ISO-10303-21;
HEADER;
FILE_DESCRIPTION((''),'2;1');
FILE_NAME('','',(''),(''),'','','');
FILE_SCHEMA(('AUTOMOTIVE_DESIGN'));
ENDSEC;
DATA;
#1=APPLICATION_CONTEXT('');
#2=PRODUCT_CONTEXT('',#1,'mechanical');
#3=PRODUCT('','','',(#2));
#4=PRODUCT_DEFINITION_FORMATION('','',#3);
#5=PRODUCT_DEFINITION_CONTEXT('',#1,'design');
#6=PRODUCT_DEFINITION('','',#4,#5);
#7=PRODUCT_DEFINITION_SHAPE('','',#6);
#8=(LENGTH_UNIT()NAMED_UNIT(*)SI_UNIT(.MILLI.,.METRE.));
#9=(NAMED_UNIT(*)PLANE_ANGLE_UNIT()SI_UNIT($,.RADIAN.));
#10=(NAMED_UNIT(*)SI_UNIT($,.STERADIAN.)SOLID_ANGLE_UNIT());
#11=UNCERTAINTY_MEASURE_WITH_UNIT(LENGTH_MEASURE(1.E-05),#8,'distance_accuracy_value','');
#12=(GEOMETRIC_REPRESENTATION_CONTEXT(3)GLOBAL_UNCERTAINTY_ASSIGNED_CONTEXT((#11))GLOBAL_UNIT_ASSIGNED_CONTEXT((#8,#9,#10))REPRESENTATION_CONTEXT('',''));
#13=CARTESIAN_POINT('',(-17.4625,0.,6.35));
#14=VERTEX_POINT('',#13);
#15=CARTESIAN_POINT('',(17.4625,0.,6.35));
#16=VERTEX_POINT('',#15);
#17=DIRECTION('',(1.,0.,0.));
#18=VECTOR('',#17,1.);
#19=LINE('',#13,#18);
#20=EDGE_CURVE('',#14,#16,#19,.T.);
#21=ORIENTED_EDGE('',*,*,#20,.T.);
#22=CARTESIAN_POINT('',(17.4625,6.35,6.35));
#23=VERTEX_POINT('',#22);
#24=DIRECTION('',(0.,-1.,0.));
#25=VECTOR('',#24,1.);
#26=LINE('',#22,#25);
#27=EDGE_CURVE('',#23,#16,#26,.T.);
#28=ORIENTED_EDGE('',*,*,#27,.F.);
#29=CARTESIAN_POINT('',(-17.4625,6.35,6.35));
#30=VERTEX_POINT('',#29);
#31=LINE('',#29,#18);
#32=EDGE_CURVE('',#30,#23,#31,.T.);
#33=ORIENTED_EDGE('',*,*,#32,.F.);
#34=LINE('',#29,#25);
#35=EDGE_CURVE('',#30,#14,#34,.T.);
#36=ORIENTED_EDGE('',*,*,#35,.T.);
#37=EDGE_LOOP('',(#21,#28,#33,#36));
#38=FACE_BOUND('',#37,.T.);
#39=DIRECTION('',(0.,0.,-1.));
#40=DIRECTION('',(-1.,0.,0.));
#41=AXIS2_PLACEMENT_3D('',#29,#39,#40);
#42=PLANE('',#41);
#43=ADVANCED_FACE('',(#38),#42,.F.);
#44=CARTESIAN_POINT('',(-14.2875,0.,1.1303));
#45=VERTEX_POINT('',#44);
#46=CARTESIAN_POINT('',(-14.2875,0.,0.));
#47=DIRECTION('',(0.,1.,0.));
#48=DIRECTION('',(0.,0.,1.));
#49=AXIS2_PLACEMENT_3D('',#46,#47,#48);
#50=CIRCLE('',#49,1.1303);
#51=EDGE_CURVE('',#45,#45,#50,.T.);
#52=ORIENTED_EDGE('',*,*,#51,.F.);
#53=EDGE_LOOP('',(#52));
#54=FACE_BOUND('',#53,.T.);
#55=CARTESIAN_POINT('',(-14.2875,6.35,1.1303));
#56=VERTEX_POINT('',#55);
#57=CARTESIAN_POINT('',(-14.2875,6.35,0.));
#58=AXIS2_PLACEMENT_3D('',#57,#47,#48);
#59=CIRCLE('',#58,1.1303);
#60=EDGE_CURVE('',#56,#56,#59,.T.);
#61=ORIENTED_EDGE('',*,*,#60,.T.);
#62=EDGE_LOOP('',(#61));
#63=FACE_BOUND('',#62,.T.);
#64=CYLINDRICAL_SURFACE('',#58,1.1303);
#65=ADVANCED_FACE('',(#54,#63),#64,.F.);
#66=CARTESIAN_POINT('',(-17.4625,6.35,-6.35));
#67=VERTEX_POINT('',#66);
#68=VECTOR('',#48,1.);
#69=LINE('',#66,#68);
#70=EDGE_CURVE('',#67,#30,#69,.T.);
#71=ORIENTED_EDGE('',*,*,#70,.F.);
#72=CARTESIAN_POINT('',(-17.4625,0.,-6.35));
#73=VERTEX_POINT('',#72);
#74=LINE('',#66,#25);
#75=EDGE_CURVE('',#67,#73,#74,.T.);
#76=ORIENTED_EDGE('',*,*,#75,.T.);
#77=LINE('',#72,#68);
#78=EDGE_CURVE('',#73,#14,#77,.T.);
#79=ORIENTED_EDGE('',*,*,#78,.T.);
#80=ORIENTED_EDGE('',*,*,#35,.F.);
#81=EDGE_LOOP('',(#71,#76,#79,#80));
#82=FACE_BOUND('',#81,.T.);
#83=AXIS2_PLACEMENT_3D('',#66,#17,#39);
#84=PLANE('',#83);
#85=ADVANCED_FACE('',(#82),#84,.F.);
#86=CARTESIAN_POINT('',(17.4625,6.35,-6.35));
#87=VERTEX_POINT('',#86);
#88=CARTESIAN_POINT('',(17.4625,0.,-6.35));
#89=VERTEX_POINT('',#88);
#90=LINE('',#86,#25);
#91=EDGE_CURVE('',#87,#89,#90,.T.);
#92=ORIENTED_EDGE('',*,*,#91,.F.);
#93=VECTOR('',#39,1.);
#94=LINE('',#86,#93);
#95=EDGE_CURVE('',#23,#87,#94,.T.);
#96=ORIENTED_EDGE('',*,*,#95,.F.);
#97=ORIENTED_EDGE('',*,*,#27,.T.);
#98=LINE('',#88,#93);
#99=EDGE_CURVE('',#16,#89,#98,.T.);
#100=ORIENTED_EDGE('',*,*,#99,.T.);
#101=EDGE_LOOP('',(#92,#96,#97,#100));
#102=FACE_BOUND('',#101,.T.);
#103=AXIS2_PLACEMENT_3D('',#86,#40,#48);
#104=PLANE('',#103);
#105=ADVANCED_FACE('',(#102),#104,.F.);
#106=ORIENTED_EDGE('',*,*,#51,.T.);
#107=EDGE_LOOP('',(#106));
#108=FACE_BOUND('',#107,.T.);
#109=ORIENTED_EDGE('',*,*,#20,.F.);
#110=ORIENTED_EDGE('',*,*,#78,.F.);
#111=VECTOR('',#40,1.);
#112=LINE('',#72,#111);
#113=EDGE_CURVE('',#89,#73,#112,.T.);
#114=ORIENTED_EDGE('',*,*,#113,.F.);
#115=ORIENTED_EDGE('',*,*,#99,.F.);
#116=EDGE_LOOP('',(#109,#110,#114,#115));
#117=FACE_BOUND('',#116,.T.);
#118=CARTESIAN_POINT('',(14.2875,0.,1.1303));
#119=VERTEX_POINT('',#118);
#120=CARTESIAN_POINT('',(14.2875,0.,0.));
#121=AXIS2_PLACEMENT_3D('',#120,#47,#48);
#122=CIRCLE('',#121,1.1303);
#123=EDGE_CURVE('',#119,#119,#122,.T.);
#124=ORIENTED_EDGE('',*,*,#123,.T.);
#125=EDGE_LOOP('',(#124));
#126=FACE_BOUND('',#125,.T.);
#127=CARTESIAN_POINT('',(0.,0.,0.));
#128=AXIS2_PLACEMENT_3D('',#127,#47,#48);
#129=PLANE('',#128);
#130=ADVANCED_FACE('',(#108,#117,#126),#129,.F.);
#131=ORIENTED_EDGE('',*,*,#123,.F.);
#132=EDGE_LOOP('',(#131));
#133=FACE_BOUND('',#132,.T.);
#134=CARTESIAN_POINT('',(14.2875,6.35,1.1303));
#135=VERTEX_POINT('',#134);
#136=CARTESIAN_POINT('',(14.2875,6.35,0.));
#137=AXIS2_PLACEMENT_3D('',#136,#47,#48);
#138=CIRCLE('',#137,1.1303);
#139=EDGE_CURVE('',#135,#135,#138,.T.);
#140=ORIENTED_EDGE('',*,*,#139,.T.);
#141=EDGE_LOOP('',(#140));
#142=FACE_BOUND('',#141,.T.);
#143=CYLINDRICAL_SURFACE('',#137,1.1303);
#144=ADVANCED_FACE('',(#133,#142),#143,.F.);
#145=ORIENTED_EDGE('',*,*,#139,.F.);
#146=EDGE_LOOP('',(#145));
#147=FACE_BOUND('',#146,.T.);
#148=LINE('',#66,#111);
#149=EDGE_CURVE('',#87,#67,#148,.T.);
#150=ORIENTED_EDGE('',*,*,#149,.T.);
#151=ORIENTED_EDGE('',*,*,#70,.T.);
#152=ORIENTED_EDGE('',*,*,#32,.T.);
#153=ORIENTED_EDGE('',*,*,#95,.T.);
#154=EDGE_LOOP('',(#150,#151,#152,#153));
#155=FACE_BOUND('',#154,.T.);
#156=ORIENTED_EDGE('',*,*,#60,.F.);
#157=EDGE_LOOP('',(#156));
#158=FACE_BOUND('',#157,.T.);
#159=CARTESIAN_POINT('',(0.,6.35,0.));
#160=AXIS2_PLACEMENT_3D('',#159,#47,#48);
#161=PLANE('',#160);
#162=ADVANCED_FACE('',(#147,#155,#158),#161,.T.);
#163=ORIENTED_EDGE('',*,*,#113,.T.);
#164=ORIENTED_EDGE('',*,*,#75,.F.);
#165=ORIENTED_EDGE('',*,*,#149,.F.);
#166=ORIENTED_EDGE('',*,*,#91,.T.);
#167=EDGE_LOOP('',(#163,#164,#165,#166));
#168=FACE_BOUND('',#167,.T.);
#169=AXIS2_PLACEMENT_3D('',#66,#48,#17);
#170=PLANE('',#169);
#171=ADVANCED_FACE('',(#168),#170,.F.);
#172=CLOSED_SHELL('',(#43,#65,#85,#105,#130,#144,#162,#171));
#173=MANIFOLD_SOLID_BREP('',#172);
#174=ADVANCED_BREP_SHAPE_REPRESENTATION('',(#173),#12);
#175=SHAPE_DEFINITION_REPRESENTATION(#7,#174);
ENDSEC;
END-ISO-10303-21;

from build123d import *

# Parameters (mm, degrees)
SKETCH1_W             = 34.925
SKETCH1_H             = 12.7
BOSS_EXTRUDE1_DEPTH   = 6.35
F_4_40_TAPPED_HOLE1_D = 2.2606


with BuildPart() as part:
    # Sketch1 → Boss-Extrude1 (new body)
    with BuildSketch(Plane(origin=(0, 0, 0), x_dir=(1, 0, 0), z_dir=(0, 1, 0))):
        Rectangle(SKETCH1_W, SKETCH1_H)
    extrude(amount=BOSS_EXTRUDE1_DEPTH)

    # #4-40 Tapped Hole1 (through all)
    with Locations(Plane(origin=(0, 6.35, 0), x_dir=(1, 0, 0), z_dir=(0, 1, 0))):
        with Locations((-14.2875, 0), (14.2875, 0)):
            Hole(F_4_40_TAPPED_HOLE1_D / 2)


solid = part.part
